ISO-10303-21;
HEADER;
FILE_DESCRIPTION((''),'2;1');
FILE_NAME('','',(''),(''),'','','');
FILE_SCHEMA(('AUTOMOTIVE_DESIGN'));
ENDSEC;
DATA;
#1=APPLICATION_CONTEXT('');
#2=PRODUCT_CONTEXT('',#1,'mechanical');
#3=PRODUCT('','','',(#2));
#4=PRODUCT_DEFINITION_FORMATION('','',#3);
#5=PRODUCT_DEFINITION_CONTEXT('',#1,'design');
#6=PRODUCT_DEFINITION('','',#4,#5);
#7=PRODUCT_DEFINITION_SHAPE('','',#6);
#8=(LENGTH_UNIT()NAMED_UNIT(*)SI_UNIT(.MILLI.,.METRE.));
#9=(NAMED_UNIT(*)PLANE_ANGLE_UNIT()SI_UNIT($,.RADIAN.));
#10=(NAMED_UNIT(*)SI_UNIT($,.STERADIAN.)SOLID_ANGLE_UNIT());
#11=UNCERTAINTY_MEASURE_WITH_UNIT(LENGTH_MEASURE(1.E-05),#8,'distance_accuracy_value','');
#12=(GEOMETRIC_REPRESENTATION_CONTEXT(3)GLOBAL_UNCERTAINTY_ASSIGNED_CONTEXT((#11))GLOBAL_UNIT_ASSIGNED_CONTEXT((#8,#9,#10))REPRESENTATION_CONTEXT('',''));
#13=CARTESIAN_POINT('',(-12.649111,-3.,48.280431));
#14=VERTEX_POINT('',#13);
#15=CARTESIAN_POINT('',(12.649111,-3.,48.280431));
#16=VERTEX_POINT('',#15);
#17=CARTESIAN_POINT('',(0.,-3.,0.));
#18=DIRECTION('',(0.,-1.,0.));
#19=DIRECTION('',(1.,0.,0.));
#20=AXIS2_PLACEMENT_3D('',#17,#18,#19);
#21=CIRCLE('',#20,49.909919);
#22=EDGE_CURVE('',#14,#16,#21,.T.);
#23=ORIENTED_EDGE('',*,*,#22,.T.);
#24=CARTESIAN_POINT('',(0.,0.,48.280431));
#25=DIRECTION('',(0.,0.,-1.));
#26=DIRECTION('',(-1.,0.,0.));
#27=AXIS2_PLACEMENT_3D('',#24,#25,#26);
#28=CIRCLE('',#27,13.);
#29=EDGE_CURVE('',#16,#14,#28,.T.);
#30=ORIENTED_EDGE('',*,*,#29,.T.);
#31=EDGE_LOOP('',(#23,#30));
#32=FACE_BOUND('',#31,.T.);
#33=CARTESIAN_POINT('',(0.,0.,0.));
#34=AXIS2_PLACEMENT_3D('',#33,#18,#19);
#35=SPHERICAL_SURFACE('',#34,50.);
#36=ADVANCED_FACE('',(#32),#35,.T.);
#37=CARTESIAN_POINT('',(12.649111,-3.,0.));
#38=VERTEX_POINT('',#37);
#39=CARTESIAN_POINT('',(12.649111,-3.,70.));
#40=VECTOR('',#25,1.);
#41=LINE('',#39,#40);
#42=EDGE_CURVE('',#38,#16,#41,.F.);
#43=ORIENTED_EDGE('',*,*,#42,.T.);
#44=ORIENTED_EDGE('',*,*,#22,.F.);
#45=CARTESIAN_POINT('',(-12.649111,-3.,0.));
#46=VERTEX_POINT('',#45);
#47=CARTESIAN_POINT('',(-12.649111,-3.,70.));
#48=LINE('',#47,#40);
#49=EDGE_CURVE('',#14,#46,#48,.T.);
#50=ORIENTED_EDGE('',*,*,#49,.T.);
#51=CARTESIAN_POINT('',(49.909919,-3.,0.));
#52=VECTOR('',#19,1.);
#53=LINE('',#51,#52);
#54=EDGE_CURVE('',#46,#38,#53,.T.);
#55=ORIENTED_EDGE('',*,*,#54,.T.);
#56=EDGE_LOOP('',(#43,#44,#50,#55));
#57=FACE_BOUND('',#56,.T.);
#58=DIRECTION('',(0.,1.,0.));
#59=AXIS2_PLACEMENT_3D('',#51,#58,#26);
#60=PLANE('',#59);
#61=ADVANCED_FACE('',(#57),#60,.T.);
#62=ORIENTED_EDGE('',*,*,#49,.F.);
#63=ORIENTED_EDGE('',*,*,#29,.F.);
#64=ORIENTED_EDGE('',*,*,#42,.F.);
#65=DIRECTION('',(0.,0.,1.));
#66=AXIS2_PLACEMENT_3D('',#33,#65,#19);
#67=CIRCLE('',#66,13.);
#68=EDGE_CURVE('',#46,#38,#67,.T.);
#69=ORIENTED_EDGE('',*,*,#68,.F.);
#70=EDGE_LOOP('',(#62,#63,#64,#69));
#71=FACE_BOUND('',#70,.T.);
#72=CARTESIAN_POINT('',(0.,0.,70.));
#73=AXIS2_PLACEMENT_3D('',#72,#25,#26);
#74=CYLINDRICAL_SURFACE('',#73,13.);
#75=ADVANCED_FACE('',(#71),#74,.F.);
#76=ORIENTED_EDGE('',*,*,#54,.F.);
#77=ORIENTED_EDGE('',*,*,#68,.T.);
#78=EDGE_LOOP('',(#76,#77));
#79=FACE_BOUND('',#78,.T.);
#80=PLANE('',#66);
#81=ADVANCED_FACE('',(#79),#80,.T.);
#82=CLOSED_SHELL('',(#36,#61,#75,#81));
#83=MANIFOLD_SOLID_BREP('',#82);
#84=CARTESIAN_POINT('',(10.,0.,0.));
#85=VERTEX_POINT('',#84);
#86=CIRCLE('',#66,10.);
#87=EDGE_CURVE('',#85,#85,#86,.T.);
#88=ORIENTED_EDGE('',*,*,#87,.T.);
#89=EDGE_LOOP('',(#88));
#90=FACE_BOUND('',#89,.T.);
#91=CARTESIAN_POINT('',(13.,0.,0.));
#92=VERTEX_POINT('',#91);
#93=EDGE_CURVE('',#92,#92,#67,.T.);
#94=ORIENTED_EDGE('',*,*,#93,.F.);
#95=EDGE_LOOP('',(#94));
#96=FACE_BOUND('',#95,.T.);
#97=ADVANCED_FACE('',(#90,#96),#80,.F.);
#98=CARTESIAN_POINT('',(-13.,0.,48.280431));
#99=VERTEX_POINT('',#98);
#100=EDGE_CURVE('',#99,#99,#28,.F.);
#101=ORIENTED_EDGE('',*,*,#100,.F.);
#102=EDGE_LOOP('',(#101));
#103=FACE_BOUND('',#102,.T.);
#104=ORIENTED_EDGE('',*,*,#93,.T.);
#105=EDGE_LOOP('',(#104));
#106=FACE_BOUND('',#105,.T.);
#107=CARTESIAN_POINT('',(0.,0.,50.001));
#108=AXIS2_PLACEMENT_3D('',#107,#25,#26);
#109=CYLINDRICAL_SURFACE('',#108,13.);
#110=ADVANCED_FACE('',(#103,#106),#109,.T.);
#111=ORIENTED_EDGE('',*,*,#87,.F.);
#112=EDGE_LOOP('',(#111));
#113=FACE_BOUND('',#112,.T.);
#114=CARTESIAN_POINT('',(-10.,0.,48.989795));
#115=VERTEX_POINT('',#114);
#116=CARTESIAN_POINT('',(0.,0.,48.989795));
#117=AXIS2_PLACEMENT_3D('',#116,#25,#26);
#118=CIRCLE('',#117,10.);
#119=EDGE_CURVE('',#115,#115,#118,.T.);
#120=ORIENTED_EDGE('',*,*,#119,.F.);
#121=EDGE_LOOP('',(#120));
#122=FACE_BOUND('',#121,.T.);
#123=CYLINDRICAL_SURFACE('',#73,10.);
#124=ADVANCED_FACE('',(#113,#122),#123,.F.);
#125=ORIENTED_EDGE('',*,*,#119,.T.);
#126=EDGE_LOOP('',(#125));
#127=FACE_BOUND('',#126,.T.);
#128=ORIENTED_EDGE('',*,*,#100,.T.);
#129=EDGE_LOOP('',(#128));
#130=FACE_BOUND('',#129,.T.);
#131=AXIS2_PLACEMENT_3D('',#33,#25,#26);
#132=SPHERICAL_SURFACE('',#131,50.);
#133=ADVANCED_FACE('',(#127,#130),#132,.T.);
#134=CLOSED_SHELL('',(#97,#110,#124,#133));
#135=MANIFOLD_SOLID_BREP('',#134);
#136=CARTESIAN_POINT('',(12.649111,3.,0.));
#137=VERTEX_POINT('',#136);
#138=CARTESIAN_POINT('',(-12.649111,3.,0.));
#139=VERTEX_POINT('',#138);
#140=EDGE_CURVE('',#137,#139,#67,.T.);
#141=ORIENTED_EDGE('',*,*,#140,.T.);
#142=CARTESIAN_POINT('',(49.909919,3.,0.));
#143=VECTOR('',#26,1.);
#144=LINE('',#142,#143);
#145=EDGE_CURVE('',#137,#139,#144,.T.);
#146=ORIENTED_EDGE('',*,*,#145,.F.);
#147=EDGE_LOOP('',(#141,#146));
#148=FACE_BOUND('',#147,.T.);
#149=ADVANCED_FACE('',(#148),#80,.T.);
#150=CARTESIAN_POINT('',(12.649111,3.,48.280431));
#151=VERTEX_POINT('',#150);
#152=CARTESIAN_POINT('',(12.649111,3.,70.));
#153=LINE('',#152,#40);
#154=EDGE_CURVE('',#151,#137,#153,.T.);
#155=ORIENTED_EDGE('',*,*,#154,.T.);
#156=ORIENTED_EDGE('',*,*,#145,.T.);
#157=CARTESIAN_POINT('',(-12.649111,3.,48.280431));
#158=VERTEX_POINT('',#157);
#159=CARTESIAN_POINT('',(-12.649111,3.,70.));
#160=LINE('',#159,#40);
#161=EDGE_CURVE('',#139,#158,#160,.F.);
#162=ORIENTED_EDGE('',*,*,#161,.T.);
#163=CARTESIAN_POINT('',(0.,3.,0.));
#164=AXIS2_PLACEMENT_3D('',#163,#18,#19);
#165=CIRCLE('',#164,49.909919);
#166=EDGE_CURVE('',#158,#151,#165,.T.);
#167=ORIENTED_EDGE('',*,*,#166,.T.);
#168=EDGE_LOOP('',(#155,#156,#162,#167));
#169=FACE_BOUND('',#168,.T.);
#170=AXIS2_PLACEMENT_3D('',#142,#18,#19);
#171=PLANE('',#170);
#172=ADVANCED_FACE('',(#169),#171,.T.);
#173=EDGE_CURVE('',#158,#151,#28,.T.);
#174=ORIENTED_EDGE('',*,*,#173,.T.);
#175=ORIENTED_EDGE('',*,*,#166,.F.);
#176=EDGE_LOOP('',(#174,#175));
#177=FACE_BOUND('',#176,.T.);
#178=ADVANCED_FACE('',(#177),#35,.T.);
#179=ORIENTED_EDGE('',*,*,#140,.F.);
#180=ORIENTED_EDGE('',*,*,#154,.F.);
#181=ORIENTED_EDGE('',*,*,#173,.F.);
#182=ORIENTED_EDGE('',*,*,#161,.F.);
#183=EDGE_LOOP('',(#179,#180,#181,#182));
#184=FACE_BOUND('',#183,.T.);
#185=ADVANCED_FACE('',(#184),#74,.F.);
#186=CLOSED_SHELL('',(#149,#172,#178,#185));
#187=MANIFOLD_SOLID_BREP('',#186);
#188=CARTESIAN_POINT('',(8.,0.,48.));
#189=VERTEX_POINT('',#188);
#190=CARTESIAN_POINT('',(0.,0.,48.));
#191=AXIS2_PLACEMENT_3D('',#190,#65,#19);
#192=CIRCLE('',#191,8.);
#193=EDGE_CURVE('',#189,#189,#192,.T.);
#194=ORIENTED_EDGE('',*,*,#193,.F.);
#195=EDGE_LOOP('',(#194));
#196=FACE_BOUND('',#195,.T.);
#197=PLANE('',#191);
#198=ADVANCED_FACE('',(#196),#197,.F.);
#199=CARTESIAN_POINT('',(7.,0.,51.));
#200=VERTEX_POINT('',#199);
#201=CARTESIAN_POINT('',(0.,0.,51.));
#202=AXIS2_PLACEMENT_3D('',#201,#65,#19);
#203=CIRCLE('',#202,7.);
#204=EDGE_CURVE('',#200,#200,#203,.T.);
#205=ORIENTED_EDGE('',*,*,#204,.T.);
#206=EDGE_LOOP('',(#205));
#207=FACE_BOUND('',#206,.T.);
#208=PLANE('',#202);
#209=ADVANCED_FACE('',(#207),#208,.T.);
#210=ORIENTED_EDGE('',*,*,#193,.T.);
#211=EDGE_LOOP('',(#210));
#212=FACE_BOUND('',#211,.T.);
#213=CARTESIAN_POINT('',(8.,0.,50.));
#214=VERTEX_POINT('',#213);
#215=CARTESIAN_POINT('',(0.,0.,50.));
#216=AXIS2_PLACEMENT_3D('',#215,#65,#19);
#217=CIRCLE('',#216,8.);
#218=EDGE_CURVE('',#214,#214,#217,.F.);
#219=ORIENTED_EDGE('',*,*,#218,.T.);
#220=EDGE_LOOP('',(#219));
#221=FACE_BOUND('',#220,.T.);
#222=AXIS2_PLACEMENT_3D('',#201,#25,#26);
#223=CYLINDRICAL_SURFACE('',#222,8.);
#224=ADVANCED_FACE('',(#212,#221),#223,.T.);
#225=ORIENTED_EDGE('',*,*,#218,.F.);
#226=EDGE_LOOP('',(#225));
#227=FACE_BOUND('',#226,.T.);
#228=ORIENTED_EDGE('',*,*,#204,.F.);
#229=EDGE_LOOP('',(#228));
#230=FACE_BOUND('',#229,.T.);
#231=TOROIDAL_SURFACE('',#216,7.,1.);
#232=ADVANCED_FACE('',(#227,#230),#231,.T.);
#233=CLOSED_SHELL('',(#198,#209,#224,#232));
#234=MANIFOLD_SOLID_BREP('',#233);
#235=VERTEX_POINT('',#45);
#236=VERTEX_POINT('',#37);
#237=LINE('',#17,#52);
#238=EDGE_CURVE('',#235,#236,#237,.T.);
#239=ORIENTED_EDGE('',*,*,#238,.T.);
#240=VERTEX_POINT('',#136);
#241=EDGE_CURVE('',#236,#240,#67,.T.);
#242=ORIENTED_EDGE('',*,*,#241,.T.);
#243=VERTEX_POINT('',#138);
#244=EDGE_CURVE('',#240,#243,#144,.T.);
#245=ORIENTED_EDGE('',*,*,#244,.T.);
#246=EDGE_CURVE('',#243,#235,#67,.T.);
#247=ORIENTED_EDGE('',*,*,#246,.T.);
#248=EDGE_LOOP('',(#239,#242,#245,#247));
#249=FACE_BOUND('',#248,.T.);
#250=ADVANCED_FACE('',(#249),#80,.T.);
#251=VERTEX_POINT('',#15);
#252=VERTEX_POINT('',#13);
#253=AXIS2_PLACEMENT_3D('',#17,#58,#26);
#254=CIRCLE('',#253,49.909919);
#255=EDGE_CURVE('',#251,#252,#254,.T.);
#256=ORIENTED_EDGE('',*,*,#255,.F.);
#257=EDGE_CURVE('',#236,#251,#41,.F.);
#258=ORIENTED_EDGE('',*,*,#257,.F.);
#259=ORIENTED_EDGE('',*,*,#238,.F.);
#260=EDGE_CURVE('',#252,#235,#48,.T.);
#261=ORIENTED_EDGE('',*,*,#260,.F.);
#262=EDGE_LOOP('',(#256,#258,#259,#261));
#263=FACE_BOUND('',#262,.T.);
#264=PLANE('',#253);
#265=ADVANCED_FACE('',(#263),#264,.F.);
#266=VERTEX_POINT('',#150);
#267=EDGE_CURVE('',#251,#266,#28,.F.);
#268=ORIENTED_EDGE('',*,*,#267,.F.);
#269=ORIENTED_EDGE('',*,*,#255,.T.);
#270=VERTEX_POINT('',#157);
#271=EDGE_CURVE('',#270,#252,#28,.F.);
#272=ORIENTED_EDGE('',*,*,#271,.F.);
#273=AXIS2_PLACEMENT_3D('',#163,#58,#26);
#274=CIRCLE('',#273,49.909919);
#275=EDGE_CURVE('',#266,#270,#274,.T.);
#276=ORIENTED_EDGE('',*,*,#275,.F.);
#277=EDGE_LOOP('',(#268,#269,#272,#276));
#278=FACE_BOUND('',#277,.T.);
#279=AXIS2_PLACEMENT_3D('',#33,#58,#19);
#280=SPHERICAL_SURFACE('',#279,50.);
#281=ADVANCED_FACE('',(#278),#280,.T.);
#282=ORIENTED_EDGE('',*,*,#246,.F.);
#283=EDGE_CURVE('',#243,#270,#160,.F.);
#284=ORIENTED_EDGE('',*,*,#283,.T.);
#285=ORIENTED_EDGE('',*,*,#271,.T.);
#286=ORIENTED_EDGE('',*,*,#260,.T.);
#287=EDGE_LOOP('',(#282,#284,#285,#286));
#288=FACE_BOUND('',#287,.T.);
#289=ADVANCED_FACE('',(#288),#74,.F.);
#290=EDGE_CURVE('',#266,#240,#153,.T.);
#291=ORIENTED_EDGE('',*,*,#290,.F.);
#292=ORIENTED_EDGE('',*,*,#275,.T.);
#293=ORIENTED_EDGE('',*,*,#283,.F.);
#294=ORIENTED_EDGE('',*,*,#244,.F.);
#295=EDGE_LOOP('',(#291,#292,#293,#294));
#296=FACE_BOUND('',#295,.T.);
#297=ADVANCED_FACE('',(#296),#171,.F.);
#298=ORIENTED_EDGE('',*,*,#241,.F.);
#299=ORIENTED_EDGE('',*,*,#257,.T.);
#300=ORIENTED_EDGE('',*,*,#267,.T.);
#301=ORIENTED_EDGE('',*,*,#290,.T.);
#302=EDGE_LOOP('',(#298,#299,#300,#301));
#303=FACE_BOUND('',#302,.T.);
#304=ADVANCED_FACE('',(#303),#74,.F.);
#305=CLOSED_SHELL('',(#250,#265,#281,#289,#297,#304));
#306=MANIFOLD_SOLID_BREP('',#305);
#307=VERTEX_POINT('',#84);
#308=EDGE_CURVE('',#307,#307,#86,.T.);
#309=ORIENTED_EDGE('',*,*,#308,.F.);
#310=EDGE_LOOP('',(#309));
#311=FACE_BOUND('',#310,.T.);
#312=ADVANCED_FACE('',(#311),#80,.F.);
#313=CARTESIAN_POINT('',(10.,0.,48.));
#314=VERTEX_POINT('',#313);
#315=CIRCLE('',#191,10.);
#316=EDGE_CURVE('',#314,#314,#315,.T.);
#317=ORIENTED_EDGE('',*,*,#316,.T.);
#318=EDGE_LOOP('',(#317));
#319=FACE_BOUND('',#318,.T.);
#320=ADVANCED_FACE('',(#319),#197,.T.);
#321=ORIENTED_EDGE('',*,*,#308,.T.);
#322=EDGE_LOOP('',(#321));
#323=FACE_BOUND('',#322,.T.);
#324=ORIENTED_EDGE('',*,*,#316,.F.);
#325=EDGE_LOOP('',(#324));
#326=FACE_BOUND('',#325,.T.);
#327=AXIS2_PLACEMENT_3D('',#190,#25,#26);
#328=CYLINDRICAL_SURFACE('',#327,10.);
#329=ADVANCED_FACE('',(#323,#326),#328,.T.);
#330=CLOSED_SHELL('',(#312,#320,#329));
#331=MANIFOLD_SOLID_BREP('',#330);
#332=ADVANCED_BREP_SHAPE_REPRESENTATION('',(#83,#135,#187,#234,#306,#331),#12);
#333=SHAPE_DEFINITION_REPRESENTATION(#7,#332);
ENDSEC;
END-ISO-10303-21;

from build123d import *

# Parameters (mm, degrees)
SKETCH4_R                = 13
CUT_EXTRUDE1_DEPTH       = 70
BOSS_EXTRUDE2_REACH      = 88.603
BOSS_EXTRUDE2_END_RADIUS = 50
SKETCH5_R                = 13
SKETCH6_R                = 10
CUT_EXTRUDE2_DEPTH       = 70
SKETCH7_R                = 10
BOSS_EXTRUDE4_DEPTH      = 48
SKETCH8_R                = 8
BOSS_EXTRUDE6_DEPTH      = 3
FILLET1_R                = 1


with BuildPart() as part:
    # Sketch1 → Revolve1 (revolve)
    with BuildSketch(Plane.XY):
        with BuildLine():
            Line((49.909918854, 3), (0, 3))
            Line((0, 3), (0, 50))
            ThreePointArc((0, 50), (34.278273002, 36.400549446), (49.909918854, 3))
        make_face()
        with BuildLine():
            Line((49.909918854, -3), (0, -3))
            Line((0, -3), (0, -50))
            ThreePointArc((0, -50), (34.278273002, -36.400549446), (49.909918854, -3))
        make_face()
    revolve(axis=Axis((0, -3, 0), (0, 1, 0)))


with BuildPart() as body_2:
    # Sketch3 → Revolve2 (revolve)
    with BuildSketch(Plane.XY):
        with BuildLine():
            Line((49.909918854, 3), (0, 3))
            Line((0, 3), (0, -3))
            Line((0, -3), (49.909918854, -3))
            ThreePointArc((49.909918854, -3), (50, 0), (49.909918854, 3))
        make_face()
    revolve(axis=Axis((0, 3, 0), (0, -1, 0)))


with BuildPart() as cut_extrude1_tool:
    # Sketch4 → Cut-Extrude1 (new body)
    with BuildSketch(Plane.XY):
        Circle(SKETCH4_R)
    extrude(amount=CUT_EXTRUDE1_DEPTH)


with BuildPart() as part_1:
    add(part.part)

    # Cut-Extrude1: cut by cut_extrude1_tool
    add(cut_extrude1_tool.part, mode=Mode.SUBTRACT)


with BuildPart() as body_2_1:
    add(body_2.part)

    # Cut-Extrude1: cut by cut_extrude1_tool
    add(cut_extrude1_tool.part, mode=Mode.SUBTRACT)


with BuildPart() as body_3:
    # Boss-Extrude2: up to this sphere (the profile starts inside it)
    boss_extrude2_end = Location((0, 0, 0)) * Sphere(BOSS_EXTRUDE2_END_RADIUS, mode=Mode.PRIVATE)
    # Sketch5 → Boss-Extrude2 (new, up to the surface)
    with BuildSketch(Plane.XY, mode=Mode.PRIVATE) as boss_extrude2_sk1:
        with Locations(Location((0, 0, 0), (0, 0, 180))):
            Circle(SKETCH5_R)
    boss_extrude2_tool1 = extrude(boss_extrude2_sk1.sketch, amount=BOSS_EXTRUDE2_REACH, mode=Mode.PRIVATE) & boss_extrude2_end
    add(boss_extrude2_tool1.solids().sort_by_distance((0, 0, 0))[0])

    # Sketch6 → Cut-Extrude2 (cut)
    with BuildSketch(Plane.XY):
        with Locations(Location((0, 0, 0), (0, 0, 180))):
            Circle(SKETCH6_R)
    extrude(amount=CUT_EXTRUDE2_DEPTH, mode=Mode.SUBTRACT)


with BuildPart() as body_4:
    # Sketch7 → Boss-Extrude4 (new body)
    with BuildSketch(Plane.XY):
        Circle(SKETCH7_R)
    extrude(amount=BOSS_EXTRUDE4_DEPTH)


with BuildPart() as body_5:
    # Sketch8 → Boss-Extrude6 (new body)
    with BuildSketch(Plane.XY.offset(48)):
        Circle(SKETCH8_R)
    extrude(amount=BOSS_EXTRUDE6_DEPTH)

    # Fillet1
    fillet1_edges = [body_5.edges().sort_by_distance(p)[0] for p in [
        (-8, 0, 51),
    ]]
    fillet(fillet1_edges, radius=FILLET1_R)


solid = Compound([part_1.part, body_2_1.part, body_3.part, body_4.part, body_5.part])
